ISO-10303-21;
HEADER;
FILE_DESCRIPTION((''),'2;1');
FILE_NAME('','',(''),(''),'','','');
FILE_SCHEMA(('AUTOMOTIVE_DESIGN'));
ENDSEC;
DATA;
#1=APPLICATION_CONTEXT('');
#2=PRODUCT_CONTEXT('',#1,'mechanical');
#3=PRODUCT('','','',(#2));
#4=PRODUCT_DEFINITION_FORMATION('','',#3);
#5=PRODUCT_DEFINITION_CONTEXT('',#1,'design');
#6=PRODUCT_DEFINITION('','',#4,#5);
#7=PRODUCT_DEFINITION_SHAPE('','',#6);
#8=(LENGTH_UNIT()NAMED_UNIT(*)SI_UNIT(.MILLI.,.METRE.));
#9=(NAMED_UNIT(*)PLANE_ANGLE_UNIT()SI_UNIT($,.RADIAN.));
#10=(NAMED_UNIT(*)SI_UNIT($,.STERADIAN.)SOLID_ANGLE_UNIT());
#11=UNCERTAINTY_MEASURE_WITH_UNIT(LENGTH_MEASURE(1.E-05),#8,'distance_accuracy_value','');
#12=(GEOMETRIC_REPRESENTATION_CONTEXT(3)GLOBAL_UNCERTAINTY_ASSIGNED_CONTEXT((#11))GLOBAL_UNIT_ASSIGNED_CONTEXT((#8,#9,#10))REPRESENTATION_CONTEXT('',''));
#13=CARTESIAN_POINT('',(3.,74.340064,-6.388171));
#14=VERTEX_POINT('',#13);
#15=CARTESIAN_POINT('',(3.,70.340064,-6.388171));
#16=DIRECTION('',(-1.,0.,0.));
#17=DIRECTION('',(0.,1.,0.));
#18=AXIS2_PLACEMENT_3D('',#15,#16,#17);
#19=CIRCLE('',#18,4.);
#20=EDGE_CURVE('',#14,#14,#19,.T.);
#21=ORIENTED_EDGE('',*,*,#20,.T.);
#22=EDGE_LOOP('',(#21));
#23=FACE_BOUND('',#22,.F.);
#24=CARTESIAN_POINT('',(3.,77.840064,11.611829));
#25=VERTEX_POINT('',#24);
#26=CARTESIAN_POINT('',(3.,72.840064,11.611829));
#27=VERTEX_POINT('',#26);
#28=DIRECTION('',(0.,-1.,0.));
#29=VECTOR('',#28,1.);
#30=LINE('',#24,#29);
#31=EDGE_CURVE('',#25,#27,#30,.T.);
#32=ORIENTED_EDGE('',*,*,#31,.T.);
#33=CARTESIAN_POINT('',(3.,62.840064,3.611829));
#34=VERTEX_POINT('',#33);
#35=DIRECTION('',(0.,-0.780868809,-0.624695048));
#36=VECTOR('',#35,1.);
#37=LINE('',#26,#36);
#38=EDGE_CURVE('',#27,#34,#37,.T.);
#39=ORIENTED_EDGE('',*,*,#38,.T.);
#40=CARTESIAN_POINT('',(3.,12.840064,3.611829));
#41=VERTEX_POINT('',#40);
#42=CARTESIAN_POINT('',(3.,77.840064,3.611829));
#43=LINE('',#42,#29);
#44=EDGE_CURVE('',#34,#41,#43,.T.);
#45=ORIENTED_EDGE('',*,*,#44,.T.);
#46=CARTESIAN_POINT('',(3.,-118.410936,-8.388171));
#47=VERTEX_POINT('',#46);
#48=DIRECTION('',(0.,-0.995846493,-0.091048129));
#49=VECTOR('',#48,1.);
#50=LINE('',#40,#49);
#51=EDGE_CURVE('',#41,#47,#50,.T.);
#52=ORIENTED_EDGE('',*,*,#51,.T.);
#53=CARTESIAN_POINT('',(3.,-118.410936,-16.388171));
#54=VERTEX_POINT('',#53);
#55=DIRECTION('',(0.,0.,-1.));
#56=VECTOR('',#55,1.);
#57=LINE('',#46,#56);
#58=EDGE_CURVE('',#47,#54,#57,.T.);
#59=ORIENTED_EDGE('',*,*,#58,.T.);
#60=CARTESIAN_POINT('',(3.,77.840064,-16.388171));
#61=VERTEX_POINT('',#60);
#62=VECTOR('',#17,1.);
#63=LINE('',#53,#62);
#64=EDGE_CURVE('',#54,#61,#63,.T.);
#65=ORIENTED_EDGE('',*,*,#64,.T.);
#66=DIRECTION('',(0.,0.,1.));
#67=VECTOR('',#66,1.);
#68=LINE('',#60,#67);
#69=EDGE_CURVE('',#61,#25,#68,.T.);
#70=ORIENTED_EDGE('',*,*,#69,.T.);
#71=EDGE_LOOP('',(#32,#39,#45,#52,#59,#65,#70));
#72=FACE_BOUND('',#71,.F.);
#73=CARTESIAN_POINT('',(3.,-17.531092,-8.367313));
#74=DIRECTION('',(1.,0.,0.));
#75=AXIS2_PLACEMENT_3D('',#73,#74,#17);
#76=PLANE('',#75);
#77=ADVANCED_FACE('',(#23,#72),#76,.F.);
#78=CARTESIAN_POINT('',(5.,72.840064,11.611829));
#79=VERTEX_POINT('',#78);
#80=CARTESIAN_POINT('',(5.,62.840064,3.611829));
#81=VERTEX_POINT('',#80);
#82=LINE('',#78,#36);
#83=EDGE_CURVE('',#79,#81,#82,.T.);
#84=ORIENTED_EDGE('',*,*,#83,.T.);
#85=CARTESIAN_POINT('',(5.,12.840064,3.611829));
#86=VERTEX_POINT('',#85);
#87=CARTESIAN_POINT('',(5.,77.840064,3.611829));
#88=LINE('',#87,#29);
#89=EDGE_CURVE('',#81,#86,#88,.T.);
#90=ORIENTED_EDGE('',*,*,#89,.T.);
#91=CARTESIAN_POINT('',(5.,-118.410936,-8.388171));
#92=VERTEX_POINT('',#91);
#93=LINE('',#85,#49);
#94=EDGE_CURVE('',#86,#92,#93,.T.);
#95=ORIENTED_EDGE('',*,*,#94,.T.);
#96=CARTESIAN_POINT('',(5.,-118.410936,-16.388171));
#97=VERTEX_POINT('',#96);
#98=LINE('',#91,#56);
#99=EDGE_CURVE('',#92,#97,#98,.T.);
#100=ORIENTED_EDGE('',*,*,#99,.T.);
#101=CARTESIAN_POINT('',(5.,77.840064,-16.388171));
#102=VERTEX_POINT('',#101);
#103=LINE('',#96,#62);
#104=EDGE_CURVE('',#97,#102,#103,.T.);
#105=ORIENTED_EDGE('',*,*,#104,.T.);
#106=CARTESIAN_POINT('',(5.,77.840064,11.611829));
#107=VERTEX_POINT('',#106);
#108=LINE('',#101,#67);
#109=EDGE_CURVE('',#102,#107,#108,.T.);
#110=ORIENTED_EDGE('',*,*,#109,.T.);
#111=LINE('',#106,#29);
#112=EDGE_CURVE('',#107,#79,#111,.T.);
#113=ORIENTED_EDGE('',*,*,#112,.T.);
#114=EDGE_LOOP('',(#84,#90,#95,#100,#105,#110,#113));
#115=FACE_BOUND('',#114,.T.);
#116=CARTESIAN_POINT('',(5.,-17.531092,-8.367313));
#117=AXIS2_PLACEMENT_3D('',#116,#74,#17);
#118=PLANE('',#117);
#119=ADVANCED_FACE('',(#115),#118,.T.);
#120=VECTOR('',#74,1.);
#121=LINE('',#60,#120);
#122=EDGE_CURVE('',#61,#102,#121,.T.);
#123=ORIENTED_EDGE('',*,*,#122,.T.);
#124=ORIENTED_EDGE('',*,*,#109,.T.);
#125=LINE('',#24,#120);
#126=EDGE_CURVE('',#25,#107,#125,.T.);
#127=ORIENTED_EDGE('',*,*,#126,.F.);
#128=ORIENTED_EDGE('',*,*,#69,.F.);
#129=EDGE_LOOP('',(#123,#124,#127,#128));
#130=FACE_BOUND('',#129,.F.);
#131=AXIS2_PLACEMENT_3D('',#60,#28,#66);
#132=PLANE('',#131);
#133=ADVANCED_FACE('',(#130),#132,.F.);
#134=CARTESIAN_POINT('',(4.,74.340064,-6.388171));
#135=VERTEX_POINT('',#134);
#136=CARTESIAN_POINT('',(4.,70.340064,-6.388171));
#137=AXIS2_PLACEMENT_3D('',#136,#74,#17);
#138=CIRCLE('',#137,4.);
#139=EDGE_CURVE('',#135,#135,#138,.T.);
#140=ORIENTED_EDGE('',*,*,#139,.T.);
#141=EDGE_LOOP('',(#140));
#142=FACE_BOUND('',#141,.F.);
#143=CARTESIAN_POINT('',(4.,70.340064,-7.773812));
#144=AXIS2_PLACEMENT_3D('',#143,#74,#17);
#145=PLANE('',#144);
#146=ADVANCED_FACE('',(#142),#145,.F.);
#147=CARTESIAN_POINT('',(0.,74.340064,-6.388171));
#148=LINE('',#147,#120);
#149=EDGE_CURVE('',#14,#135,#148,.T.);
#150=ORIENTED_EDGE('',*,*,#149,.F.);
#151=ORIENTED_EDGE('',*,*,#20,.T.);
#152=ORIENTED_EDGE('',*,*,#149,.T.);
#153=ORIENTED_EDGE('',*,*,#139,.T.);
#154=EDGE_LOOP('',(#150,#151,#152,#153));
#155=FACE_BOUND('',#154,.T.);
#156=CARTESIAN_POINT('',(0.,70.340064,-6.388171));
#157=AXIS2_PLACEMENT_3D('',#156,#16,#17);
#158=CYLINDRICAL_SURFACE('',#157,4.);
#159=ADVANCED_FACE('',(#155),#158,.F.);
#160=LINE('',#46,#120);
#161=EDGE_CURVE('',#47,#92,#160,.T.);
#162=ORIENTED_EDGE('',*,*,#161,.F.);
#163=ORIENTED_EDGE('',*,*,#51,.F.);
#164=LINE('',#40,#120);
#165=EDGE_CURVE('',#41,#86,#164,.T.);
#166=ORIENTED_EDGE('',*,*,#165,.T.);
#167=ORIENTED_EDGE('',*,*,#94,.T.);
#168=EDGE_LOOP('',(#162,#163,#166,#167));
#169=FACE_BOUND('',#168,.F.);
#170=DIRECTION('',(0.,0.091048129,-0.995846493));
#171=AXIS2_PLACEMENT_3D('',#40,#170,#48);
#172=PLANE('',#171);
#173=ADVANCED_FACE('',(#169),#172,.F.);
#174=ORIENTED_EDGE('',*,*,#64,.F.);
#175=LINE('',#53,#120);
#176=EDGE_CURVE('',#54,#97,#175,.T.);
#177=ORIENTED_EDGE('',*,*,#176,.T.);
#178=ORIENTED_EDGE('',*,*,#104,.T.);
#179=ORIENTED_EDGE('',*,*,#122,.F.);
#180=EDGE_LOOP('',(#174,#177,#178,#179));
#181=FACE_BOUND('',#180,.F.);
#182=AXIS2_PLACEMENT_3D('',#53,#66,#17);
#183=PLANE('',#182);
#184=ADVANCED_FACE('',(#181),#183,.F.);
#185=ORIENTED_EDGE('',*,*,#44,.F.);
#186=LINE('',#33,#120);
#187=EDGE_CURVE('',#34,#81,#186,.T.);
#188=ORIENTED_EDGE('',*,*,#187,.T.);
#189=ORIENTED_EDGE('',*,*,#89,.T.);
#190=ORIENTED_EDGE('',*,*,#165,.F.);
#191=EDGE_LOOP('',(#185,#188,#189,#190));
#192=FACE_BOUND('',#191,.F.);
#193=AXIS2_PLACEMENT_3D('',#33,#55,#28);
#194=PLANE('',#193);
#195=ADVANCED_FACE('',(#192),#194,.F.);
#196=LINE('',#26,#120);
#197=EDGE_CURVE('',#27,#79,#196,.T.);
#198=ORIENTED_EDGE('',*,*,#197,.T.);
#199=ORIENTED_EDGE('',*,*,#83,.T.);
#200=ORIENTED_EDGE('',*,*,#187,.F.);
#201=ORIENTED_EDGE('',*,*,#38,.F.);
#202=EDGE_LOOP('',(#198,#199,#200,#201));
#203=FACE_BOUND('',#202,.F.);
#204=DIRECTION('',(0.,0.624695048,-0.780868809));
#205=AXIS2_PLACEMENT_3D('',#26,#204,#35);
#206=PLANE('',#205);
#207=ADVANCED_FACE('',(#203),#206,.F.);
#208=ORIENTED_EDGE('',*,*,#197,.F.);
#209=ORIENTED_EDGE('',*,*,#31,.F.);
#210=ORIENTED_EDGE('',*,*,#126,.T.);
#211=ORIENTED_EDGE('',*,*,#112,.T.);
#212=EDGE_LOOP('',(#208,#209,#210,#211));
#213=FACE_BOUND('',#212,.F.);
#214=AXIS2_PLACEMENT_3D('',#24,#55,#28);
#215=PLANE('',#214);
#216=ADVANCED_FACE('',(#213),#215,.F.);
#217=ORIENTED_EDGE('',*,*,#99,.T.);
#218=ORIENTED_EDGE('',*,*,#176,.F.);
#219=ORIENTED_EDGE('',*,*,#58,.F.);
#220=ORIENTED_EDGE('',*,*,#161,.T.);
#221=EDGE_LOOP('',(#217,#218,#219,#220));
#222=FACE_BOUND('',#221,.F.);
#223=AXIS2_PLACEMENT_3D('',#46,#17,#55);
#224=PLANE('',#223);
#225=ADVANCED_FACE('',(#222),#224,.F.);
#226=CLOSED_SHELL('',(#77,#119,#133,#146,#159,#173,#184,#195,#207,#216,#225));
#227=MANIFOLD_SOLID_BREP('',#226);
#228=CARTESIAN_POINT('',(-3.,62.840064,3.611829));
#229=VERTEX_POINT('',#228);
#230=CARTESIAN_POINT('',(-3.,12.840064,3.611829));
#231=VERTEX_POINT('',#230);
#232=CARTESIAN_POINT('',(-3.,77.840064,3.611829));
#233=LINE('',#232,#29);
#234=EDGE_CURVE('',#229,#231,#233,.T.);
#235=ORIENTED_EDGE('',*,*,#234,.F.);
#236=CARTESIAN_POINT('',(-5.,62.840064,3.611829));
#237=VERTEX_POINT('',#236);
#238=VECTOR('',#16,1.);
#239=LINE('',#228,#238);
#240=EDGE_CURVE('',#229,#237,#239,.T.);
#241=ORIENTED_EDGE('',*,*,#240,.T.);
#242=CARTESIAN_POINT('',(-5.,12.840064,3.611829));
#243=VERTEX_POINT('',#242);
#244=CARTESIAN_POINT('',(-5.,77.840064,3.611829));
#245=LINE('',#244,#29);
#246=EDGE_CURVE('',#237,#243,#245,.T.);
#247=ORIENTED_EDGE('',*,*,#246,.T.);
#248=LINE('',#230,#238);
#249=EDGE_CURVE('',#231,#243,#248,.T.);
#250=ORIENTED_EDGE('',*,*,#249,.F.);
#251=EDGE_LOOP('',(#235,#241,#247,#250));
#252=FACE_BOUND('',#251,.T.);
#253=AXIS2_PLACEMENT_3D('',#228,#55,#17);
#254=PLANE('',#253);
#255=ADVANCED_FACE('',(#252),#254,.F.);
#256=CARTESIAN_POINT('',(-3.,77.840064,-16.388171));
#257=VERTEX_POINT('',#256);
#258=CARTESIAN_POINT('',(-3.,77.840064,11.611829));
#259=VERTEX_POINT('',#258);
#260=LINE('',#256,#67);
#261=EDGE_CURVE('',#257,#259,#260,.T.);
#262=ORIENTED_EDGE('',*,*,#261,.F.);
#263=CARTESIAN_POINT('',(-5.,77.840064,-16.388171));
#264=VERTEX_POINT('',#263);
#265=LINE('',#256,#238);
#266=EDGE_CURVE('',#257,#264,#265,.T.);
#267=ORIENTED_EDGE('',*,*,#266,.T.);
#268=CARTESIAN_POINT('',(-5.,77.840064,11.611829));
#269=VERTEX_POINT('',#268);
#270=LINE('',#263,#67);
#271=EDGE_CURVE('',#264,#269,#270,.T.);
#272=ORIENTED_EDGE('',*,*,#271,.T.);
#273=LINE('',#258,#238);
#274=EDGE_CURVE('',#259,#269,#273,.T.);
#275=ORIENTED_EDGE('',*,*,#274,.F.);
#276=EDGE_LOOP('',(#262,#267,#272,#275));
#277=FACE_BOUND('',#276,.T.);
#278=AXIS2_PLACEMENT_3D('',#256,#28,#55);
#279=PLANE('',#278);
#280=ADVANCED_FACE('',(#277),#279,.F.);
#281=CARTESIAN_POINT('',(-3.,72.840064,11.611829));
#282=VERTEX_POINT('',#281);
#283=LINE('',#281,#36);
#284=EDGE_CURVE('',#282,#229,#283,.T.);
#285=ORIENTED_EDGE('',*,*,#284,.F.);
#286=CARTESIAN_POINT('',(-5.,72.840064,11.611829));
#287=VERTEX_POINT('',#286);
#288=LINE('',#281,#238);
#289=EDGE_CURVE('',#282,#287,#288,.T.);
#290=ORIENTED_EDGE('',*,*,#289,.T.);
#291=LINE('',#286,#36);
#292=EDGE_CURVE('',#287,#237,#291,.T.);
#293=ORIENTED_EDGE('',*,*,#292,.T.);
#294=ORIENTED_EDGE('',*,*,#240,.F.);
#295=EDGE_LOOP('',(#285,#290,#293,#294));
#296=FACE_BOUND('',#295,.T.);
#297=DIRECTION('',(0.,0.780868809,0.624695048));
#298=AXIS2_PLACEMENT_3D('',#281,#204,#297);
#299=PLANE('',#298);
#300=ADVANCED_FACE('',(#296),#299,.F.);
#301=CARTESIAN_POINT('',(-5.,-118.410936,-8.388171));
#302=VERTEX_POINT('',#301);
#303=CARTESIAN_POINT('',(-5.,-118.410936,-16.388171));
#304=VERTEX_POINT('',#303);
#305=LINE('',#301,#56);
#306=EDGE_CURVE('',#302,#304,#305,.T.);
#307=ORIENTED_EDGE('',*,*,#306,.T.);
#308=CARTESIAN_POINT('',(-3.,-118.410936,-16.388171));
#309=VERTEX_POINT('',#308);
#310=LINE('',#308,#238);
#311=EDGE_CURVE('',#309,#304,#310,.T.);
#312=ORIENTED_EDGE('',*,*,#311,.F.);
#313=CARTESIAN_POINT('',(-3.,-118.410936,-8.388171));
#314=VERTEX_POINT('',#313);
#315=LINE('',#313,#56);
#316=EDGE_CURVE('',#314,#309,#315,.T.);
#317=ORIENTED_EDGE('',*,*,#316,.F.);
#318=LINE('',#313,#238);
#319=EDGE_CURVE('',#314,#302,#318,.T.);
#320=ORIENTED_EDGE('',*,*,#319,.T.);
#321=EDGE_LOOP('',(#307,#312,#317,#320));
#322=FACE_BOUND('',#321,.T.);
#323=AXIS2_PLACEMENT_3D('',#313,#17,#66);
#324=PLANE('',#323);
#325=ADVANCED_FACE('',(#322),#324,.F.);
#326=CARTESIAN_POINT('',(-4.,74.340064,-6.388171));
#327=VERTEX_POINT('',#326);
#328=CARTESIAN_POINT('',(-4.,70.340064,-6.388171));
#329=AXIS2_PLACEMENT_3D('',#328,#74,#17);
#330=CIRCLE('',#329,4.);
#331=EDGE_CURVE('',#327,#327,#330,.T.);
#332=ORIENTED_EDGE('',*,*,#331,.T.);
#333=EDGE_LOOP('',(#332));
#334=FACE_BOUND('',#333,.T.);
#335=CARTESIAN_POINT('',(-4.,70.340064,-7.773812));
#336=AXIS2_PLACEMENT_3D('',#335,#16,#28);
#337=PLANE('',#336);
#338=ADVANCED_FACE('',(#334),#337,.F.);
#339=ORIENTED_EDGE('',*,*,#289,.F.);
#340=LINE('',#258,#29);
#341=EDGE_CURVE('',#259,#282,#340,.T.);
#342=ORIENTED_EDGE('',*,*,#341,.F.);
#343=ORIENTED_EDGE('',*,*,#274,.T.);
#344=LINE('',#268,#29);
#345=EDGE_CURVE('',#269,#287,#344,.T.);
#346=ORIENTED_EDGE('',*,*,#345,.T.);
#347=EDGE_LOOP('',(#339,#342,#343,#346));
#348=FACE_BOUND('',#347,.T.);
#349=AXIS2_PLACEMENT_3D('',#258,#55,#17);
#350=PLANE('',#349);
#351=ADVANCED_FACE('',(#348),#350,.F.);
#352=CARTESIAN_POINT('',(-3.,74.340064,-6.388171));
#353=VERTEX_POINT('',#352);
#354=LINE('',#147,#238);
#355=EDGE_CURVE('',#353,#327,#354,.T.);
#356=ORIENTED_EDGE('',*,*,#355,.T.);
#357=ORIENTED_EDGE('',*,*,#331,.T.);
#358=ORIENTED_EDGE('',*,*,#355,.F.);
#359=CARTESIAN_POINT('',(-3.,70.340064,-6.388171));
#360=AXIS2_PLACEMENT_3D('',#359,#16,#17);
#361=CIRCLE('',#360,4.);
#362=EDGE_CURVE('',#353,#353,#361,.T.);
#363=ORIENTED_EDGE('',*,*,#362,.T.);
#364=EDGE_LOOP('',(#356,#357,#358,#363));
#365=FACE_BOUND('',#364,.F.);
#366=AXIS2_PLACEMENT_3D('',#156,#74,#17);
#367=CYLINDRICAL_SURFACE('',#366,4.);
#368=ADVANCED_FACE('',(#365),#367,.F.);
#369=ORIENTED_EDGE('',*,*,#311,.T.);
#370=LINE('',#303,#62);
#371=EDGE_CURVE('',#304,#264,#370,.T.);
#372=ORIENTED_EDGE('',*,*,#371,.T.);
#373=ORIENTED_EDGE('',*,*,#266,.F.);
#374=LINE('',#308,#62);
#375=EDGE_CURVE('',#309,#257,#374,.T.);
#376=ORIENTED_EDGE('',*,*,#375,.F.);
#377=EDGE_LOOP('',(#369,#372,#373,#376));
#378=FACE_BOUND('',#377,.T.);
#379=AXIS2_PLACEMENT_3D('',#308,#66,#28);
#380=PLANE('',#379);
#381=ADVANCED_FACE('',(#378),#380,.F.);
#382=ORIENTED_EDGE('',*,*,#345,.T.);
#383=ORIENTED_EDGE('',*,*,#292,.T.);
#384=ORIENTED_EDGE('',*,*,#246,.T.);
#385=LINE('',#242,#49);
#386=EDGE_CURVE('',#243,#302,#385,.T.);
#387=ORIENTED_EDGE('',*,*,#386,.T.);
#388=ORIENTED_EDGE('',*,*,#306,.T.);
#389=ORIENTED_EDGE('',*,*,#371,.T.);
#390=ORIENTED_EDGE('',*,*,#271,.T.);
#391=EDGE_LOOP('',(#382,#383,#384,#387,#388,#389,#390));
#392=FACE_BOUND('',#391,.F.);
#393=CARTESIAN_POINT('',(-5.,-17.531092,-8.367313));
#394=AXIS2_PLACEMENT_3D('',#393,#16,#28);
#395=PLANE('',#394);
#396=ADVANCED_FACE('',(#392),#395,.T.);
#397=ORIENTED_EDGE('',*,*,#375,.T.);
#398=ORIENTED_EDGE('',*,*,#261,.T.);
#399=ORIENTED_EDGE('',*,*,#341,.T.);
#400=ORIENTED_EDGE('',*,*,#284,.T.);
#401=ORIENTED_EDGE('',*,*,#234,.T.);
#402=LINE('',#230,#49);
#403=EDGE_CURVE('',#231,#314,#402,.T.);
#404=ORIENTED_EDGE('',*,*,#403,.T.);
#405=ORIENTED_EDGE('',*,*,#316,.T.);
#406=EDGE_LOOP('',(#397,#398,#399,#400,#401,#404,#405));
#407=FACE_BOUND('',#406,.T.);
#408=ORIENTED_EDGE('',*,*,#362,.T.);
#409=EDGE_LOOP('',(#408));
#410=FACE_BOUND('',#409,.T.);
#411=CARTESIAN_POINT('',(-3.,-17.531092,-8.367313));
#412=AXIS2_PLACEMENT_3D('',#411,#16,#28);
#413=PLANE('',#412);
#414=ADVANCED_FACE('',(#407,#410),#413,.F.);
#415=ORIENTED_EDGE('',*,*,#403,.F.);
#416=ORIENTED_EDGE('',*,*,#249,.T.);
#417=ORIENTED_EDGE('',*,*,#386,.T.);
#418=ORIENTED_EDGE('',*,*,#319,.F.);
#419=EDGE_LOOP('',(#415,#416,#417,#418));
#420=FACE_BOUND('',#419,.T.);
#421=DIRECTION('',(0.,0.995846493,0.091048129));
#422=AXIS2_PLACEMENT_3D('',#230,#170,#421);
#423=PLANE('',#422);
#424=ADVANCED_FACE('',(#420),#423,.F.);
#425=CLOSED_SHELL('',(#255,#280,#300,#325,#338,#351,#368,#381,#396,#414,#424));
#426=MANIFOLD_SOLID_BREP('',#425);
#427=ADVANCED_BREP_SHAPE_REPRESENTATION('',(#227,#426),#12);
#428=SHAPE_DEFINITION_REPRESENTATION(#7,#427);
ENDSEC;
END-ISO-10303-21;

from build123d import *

# Parameters (mm, degrees)
F1_START = 3
F1_DEPTH = 2
F2_DEPTH = 4


with BuildPart() as f1:
    # F0 (on Right) → F1 (new body)
    with BuildSketch(Plane.YZ.offset(F1_START)):
        Polygon((-118.4109357178, -8.3881713183), (-118.4109357178, -16.3881713183), (77.8400642822, -16.3881713183), (77.8400642822, -6.3881713183), (77.8400642822, 3.6118286817), (62.8400642822, 3.6118286817), (12.8400642822, 3.6118286817), align=None)
        Polygon((-114.4109357178, -14.3881713183), (-114.4109357178, -10.0308014794), (12.9313018888, 1.6118286817), (12.9313018888, -14.3881713183), align=None, mode=Mode.SUBTRACT)
        Polygon((62.8400642822, 1.6118286817), (62.8400642822, -6.3881713183), (62.8400642822, -14.3881713183), (16.9313018888, -14.3881713183), (16.9313018888, 1.6118286817), align=None, mode=Mode.SUBTRACT)
        with BuildLine():
            ThreePointArc((66.3400642822, -6.3881713183), (70.3400642822, -2.3881713183), (74.3400642822, -6.3881713183))
            ThreePointArc((74.3400642822, -6.3881713183), (70.3400642822, -10.3881713183), (66.3400642822, -6.3881713183))
        make_face(mode=Mode.SUBTRACT)
        Polygon((12.9313018888, 1.6118286817), (-114.4109357178, -10.0308014794), (-114.4109357178, -14.3881713183), (12.9313018888, -14.3881713183), align=None)
        Polygon((62.8400642822, -14.3881713183), (62.8400642822, -6.3881713183), (62.8400642822, 1.6118286817), (16.9313018888, 1.6118286817), (16.9313018888, -14.3881713183), align=None)
        with BuildLine():
            Line((66.3400642822, -6.3881713183), (74.3400642822, -6.3881713183))
            ThreePointArc((74.3400642822, -6.3881713183), (70.3400642822, -2.3881713183), (66.3400642822, -6.3881713183))
        make_face()
        with BuildLine():
            ThreePointArc((66.3400642822, -6.3881713183), (70.3400642822, -10.3881713183), (74.3400642822, -6.3881713183))
            Line((74.3400642822, -6.3881713183), (66.3400642822, -6.3881713183))
        make_face()
        Polygon((72.8400642822, 11.6118286817), (62.8400642822, 3.6118286817), (77.8400642822, 3.6118286817), (77.8400642822, 11.6118286817), align=None)
    extrude(amount=F1_DEPTH)

    # F0 (on Right) → F2 (cut)
    with BuildSketch(Plane.YZ):
        with BuildLine():
            ThreePointArc((66.3400642822, -6.3881713183), (70.3400642822, -10.3881713183), (74.3400642822, -6.3881713183))
            Line((74.3400642822, -6.3881713183), (66.3400642822, -6.3881713183))
        make_face()
        with BuildLine():
            Line((66.3400642822, -6.3881713183), (74.3400642822, -6.3881713183))
            ThreePointArc((74.3400642822, -6.3881713183), (70.3400642822, -2.3881713183), (66.3400642822, -6.3881713183))
        make_face()
    extrude(amount=F2_DEPTH, mode=Mode.SUBTRACT)


with BuildPart() as f3_1:
    # F3: copy of F1
    add(f1.part.moved(Location((-100, 0, 0))))


with BuildPart() as f5_1:
    # F5: instance of F1
    add(f1.part.mirror(Plane.YZ))


solid = Compound([f1.part, f5_1.part])
